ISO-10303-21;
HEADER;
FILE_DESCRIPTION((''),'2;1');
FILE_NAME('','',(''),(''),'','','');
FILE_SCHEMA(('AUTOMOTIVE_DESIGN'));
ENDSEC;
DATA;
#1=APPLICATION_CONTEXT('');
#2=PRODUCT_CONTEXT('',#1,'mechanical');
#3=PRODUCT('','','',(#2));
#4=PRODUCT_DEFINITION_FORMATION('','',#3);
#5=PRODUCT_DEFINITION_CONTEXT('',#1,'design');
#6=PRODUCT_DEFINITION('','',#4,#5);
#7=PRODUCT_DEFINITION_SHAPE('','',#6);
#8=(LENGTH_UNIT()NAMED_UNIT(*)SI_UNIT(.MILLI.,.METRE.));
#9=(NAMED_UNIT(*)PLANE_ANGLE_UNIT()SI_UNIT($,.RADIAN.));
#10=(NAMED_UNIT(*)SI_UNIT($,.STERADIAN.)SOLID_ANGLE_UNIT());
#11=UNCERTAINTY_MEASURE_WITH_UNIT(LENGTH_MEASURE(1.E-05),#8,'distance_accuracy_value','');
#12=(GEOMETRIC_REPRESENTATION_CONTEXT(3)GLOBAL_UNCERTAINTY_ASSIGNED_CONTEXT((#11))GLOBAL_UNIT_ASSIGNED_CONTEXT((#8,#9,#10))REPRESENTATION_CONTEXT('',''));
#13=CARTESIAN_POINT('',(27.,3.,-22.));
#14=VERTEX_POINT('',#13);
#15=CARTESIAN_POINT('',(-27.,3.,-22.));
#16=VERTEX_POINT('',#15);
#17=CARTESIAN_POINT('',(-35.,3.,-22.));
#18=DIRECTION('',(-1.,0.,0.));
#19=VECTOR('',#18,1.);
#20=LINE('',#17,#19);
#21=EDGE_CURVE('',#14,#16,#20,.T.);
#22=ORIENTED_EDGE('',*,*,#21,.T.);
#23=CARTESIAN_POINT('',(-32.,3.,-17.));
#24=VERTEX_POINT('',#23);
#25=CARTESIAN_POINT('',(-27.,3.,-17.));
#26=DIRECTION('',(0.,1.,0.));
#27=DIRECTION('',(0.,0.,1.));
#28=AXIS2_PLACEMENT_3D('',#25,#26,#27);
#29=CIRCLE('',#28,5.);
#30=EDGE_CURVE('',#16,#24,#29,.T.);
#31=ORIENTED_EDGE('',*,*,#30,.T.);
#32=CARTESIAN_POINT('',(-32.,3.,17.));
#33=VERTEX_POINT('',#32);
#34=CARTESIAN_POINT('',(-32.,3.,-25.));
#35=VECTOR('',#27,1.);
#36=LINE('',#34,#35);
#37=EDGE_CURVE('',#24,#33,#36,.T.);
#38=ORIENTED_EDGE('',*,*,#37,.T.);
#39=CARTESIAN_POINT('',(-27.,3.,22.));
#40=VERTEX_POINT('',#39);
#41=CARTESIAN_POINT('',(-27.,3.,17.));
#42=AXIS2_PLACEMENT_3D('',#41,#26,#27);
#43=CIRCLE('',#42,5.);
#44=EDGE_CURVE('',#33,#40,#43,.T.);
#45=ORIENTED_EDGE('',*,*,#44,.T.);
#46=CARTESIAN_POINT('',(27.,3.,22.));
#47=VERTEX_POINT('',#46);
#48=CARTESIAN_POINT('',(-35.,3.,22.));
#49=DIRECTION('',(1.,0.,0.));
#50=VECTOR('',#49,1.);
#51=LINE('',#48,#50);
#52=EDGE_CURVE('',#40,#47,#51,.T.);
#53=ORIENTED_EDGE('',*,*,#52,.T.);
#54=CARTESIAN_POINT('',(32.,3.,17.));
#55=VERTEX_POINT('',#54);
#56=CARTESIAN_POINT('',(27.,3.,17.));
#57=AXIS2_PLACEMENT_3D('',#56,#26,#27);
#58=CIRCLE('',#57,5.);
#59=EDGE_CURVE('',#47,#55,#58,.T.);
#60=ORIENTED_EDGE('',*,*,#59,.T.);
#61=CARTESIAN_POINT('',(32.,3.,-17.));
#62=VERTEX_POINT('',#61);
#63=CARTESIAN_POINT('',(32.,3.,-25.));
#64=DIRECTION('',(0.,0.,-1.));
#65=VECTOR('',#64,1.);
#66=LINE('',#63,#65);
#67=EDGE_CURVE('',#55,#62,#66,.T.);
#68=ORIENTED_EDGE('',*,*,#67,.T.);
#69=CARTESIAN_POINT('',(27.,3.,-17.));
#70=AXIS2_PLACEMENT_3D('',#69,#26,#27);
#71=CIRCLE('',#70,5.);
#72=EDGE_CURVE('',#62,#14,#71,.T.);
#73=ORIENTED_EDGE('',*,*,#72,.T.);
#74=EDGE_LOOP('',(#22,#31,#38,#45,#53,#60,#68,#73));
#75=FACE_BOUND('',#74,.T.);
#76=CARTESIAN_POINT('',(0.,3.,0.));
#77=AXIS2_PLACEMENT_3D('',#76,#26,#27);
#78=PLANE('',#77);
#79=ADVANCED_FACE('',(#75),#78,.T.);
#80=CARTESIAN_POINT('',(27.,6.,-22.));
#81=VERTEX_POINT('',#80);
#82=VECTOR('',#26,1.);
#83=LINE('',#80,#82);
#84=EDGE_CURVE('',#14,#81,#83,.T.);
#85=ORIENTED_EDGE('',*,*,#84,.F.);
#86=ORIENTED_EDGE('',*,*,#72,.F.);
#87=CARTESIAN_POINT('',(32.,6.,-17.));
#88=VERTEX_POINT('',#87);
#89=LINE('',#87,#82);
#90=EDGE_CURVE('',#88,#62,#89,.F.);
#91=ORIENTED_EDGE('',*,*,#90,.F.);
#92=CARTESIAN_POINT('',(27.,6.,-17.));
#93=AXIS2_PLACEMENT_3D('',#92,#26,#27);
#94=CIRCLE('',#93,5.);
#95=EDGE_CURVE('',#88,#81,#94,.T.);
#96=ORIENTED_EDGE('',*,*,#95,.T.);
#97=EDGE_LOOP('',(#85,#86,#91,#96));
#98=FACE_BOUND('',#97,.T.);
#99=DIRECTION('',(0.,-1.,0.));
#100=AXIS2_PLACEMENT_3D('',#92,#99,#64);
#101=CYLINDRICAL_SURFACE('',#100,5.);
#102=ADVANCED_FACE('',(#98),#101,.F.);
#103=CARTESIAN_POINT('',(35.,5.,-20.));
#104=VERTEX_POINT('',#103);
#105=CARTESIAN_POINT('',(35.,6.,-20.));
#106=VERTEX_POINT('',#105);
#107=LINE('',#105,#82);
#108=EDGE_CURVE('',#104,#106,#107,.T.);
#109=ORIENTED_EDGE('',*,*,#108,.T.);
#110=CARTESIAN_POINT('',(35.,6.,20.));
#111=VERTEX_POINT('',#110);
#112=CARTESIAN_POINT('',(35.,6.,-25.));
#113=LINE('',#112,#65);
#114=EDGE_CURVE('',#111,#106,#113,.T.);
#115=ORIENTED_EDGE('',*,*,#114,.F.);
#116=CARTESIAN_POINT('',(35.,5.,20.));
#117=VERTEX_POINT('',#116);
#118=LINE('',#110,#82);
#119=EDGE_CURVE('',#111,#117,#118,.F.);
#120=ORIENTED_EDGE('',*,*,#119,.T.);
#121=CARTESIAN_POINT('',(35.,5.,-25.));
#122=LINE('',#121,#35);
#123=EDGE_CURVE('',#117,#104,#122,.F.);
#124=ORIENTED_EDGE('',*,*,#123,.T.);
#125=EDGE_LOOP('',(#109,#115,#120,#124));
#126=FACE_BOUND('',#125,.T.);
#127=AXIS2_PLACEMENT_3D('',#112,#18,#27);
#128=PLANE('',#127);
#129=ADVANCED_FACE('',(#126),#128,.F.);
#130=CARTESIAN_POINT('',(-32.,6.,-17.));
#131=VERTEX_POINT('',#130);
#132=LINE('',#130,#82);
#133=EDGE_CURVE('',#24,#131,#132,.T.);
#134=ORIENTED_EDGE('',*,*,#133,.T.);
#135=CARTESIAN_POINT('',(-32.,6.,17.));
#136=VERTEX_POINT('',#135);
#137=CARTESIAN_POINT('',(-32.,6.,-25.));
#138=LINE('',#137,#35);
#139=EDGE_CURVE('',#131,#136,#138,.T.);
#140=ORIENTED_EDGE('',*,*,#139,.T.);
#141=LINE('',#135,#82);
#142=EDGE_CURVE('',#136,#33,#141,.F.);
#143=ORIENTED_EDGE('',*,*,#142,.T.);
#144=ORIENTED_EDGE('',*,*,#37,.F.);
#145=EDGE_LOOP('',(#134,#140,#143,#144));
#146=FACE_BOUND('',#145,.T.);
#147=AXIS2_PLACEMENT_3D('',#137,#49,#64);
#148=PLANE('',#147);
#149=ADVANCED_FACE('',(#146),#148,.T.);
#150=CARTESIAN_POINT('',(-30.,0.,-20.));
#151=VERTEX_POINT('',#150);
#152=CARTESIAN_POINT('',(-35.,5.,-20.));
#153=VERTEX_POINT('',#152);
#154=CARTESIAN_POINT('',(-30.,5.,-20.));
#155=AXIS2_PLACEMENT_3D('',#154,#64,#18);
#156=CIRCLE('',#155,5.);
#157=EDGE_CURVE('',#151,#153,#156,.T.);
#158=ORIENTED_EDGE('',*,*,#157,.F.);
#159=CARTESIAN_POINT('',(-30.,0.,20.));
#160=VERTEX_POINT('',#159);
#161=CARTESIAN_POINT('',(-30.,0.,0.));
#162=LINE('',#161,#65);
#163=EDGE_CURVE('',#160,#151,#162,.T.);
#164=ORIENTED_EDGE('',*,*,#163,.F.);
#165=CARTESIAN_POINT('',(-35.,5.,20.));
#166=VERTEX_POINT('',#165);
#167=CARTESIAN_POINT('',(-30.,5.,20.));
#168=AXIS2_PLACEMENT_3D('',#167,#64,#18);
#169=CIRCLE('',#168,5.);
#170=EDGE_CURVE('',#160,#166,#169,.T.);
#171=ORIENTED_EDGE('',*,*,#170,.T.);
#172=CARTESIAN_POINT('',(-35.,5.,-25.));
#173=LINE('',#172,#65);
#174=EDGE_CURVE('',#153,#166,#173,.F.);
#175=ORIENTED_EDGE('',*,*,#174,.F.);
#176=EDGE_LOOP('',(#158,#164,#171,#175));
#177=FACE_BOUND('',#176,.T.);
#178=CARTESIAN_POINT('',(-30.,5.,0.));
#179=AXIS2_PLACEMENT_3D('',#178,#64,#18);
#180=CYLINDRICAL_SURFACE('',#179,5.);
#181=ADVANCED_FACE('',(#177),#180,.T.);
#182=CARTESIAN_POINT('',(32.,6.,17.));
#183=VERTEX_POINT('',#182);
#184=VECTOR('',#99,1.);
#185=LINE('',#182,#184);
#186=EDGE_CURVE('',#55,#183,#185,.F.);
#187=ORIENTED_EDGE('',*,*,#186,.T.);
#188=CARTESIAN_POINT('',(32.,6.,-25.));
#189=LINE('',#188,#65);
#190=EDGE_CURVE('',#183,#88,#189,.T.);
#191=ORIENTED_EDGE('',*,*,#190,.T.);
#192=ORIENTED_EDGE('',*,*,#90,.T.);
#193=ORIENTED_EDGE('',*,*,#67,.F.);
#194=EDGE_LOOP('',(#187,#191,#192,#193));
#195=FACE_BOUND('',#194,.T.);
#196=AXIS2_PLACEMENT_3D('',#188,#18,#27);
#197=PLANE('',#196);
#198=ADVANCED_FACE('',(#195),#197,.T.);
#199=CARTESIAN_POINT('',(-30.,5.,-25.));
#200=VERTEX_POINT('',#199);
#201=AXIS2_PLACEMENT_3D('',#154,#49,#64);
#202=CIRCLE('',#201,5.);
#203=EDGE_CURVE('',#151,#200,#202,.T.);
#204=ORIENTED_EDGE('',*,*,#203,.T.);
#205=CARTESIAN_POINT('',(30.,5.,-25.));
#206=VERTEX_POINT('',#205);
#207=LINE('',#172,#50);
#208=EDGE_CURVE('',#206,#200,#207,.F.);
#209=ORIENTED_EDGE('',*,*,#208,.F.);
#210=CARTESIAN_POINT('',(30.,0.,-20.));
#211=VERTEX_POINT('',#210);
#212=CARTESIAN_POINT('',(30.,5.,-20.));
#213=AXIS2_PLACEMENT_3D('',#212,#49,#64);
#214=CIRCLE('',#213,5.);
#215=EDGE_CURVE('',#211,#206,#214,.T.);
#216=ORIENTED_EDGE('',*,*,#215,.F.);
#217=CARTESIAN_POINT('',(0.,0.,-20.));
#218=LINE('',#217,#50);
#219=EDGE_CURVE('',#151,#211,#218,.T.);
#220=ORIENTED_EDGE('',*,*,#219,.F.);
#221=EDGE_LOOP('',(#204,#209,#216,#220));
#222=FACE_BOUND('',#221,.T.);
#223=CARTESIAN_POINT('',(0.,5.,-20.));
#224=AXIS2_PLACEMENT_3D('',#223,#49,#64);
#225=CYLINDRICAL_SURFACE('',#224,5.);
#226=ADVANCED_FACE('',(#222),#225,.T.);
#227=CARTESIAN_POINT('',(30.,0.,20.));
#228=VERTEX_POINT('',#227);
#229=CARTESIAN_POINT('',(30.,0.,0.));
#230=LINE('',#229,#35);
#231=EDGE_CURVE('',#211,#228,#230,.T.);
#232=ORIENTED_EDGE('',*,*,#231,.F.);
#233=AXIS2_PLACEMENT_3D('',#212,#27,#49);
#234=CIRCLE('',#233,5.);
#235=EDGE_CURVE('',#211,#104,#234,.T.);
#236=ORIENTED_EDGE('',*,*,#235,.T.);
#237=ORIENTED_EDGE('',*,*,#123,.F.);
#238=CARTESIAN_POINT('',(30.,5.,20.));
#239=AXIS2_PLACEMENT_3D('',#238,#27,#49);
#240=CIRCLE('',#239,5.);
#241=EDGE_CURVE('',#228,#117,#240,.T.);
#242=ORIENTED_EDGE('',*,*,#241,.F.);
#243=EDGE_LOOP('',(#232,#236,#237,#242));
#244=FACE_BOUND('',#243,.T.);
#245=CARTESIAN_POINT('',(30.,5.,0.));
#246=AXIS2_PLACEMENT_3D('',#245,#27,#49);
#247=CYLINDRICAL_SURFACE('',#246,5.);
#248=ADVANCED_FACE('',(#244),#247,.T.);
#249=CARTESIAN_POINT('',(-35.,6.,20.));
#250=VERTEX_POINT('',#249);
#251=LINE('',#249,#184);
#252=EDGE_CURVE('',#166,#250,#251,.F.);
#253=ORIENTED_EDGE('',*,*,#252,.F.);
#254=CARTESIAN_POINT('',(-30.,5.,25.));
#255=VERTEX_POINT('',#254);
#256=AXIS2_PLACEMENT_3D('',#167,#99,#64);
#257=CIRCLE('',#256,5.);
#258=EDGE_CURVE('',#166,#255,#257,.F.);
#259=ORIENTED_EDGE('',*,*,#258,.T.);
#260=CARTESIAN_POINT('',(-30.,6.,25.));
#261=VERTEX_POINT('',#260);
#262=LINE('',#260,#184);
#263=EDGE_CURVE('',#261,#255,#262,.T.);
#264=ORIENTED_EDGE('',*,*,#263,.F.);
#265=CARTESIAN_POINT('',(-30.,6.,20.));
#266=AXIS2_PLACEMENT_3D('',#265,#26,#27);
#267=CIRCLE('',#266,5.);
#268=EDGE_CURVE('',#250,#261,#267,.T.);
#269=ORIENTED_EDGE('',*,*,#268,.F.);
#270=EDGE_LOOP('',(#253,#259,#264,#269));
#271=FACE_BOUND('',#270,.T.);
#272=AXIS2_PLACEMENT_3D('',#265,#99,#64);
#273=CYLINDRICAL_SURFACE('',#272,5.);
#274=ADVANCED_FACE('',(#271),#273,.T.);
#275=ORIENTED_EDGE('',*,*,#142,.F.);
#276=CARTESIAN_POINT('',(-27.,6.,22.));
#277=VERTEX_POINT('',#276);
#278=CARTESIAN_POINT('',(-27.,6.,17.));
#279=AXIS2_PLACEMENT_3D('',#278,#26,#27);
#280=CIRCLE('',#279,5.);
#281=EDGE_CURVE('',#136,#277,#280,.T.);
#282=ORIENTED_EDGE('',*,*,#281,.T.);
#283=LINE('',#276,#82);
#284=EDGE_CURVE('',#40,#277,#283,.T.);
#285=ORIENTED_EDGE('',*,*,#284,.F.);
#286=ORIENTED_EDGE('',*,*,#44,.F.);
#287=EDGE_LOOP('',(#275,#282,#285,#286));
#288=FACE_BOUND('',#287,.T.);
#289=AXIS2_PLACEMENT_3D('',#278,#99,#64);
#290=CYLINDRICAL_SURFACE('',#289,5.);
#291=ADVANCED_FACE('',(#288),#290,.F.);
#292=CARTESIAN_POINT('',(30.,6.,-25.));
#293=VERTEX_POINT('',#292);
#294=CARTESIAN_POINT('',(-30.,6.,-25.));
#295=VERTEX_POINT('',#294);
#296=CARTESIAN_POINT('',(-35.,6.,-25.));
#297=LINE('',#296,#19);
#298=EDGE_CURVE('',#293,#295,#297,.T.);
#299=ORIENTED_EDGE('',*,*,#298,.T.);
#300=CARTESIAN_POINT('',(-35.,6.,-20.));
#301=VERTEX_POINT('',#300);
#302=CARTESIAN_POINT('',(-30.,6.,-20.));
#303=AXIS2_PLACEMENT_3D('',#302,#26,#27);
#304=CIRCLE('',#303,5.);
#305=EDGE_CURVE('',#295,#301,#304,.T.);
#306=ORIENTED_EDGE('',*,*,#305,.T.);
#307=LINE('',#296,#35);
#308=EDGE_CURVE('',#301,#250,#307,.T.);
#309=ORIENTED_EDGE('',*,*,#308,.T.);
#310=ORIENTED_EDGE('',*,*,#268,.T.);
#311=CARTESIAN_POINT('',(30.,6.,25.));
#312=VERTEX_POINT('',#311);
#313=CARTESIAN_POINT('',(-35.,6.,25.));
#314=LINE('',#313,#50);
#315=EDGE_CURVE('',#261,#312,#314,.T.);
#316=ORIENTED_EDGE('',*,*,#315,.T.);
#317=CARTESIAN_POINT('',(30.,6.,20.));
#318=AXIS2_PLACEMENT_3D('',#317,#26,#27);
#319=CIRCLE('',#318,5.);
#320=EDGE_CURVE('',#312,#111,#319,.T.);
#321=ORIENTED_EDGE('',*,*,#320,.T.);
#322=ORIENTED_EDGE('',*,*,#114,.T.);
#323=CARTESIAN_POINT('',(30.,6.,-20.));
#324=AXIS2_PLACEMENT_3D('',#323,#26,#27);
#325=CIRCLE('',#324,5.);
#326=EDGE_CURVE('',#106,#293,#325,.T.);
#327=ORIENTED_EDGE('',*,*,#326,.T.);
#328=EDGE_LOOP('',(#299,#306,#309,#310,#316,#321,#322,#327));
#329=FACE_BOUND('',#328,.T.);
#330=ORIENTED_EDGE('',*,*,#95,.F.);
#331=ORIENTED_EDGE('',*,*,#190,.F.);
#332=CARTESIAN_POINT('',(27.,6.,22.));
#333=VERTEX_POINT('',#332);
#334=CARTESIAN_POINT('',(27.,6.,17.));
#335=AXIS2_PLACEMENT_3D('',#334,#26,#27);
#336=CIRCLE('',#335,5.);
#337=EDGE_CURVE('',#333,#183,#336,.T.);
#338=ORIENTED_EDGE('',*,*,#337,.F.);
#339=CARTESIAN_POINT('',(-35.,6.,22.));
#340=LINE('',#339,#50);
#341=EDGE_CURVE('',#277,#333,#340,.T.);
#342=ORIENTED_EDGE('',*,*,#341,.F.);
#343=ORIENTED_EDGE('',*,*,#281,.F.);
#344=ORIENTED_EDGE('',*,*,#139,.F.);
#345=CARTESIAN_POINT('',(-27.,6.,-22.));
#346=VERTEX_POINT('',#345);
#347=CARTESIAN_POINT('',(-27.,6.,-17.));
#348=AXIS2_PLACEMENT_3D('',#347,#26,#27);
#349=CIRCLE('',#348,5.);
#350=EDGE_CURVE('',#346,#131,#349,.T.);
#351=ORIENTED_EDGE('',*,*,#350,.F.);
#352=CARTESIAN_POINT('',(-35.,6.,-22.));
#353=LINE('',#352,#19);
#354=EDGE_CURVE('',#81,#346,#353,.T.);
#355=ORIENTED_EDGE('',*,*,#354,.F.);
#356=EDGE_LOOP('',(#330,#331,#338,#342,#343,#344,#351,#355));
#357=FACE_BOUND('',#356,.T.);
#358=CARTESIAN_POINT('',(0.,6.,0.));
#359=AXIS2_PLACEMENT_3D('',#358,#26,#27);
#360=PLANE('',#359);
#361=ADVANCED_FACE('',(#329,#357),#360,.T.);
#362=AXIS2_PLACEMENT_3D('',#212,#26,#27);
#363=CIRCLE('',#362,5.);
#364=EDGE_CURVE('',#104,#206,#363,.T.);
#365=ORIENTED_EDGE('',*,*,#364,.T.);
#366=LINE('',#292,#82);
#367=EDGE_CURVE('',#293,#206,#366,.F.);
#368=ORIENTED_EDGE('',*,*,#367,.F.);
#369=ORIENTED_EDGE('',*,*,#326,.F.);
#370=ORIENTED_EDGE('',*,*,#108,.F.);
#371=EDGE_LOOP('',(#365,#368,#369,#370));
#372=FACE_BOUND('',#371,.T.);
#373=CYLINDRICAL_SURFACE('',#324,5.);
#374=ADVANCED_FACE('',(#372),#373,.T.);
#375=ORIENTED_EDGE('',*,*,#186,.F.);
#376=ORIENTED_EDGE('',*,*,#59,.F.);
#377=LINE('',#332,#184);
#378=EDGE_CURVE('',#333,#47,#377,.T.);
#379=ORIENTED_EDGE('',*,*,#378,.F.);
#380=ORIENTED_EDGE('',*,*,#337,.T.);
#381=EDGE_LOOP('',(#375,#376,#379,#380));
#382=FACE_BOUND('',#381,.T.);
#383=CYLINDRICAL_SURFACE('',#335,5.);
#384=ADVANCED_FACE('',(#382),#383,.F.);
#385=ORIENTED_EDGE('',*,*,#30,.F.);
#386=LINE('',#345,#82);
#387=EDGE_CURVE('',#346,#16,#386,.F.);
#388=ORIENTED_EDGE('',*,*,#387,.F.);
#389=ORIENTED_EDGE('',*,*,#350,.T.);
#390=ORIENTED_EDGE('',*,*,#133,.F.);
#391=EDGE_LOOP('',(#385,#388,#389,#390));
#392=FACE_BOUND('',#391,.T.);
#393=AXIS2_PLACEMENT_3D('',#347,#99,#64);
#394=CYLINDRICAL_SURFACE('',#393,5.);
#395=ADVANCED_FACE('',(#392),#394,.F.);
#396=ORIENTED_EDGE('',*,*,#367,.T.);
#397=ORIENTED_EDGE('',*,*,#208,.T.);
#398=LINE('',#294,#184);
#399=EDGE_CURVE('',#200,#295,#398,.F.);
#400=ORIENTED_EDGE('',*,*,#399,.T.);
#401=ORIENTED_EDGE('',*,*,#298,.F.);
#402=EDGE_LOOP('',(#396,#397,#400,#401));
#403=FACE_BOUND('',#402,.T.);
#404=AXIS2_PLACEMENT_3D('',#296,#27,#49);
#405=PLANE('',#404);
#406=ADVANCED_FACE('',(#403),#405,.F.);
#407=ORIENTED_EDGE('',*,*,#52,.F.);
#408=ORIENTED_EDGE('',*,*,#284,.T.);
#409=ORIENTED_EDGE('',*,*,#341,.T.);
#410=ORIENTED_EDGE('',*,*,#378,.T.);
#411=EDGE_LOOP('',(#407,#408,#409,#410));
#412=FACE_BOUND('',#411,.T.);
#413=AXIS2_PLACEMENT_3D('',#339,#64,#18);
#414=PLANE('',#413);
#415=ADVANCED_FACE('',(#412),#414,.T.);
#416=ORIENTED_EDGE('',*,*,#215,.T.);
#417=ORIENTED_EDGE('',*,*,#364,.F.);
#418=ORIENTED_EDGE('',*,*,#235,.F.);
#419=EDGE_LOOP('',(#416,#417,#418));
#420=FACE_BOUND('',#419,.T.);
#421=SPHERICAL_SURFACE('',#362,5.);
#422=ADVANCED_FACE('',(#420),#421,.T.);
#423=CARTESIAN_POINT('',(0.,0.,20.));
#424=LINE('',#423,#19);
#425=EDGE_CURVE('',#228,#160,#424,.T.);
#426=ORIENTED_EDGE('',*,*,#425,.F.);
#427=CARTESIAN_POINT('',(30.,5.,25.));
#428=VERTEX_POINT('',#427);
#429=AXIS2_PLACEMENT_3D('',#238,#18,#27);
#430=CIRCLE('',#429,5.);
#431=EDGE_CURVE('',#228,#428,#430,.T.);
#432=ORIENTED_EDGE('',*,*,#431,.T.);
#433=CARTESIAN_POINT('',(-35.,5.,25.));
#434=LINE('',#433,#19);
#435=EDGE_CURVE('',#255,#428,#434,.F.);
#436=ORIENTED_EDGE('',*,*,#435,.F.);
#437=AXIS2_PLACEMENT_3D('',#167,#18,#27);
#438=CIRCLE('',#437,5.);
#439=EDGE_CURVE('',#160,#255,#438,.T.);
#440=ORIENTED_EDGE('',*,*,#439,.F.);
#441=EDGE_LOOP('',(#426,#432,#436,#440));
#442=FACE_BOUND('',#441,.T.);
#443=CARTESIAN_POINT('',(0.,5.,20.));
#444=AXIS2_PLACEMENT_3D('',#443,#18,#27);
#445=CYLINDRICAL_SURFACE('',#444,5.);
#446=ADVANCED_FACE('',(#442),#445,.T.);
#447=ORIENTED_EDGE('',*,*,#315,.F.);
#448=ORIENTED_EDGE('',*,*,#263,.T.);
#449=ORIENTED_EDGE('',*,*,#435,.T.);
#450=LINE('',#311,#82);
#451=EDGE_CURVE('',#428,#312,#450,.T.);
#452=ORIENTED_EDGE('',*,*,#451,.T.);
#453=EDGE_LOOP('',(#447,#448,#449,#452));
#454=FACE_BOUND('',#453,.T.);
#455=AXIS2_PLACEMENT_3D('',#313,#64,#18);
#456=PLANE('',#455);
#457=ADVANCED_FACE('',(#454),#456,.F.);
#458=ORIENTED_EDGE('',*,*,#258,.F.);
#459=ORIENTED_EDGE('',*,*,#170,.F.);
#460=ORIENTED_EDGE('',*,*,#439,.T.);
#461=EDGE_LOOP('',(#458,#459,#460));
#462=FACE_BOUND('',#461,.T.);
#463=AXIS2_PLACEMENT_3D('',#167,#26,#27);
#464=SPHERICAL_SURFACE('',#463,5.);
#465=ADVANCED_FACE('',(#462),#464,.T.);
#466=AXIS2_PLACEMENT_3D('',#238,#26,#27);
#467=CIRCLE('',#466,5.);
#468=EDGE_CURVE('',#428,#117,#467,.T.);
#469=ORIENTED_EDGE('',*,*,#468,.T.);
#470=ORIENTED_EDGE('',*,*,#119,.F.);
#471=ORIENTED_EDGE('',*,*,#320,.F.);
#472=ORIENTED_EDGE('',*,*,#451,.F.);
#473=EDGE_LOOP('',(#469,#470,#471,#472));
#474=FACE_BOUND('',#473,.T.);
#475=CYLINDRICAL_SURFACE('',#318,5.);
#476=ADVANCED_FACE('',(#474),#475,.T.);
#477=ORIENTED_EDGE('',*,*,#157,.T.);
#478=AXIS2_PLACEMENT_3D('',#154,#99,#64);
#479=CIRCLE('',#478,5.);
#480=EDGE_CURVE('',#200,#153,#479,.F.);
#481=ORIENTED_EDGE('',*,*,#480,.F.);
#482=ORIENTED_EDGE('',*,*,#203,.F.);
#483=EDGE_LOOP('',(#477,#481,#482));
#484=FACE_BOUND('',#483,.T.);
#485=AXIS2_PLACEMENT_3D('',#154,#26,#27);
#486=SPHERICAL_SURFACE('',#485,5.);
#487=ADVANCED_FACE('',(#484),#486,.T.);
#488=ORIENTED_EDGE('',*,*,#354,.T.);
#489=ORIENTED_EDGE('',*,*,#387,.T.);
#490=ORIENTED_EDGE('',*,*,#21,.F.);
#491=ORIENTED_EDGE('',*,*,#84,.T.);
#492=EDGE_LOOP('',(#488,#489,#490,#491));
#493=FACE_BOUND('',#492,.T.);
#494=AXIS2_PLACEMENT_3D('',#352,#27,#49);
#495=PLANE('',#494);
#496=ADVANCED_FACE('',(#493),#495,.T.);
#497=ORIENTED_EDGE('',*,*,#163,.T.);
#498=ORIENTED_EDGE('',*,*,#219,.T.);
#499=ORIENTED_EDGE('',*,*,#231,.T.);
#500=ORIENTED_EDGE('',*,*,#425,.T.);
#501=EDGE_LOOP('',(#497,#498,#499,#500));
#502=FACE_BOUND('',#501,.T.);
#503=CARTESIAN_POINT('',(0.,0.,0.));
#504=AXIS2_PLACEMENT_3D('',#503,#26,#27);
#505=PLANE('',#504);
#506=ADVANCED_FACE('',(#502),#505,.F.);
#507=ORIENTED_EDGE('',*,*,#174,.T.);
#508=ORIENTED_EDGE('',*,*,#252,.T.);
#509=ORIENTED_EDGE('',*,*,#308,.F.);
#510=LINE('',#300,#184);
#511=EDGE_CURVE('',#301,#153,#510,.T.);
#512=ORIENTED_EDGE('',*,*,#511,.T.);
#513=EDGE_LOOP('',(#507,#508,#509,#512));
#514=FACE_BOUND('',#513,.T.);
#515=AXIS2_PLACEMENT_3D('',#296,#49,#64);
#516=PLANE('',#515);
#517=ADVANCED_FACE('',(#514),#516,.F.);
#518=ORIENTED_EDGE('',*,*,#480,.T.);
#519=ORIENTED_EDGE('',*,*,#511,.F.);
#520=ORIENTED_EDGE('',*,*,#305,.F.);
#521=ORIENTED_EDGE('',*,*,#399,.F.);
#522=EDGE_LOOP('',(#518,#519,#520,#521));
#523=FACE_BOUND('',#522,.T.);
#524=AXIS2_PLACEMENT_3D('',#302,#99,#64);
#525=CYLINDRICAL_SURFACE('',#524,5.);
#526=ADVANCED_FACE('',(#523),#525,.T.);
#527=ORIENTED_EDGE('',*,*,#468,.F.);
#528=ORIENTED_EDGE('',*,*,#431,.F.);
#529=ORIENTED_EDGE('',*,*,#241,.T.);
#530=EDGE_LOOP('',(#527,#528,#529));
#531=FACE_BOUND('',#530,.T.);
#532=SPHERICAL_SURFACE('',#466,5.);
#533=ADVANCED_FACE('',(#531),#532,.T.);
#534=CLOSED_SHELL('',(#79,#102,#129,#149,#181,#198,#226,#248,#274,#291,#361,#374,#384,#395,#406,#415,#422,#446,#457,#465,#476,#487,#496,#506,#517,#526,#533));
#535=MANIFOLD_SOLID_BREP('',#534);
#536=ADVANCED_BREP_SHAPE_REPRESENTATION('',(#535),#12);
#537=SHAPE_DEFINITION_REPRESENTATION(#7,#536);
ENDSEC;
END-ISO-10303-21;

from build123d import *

# Parameters (mm, degrees)
SKETCH1_W           = 70
SKETCH1_H           = 50
BOSS_EXTRUDE1_DEPTH = 6
SHELL1_T            = -3
FILLET1_R           = 5
FILLET2_R           = 5
FILLET3_R           = 5
FILLET4_R           = 5
FILLET5_R           = 5
FILLET6_R           = 5
FILLET7_R           = 5
FILLET8_R           = 5
FILLET9_R           = 5


with BuildPart() as part:
    # Sketch1 → Boss-Extrude1 (new body)
    with BuildSketch(Plane(origin=(0, 0, 0), x_dir=(1, 0, 0), z_dir=(0, 1, 0))):
        Rectangle(SKETCH1_W, SKETCH1_H)
    extrude(amount=BOSS_EXTRUDE1_DEPTH)

    # Shell1
    shell1_openings = [part.faces().sort_by_distance(p)[0] for p in [
        (0, 6, 0),
    ]]
    offset(amount=SHELL1_T, openings=shell1_openings, kind=Kind.INTERSECTION)

    # Fillet1
    fillet1_edges = [part.edges().sort_by_distance(p)[0] for p in [
        (35, 3, 25),
    ]]
    fillet(fillet1_edges, radius=FILLET1_R)

    # Fillet2
    fillet2_edges = [part.edges().sort_by_distance(p)[0] for p in [
        (35, 3, -25),
    ]]
    fillet(fillet2_edges, radius=FILLET2_R)

    # Fillet3
    fillet3_edges = [part.edges().sort_by_distance(p)[0] for p in [
        (-35, 3, 25),
    ]]
    fillet(fillet3_edges, radius=FILLET3_R)

    # Fillet4
    fillet4_edges = [part.edges().sort_by_distance(p)[0] for p in [
        (-35, 3, -25),
    ]]
    fillet(fillet4_edges, radius=FILLET4_R)

    # Fillet5
    fillet5_edges = [part.edges().sort_by_distance(p)[0] for p in [
        (35, 0, 0),
        (0, 0, -25),
        (0, 0, 25),
        (-35, 0, 0),
    ]]
    fillet(fillet5_edges, radius=FILLET5_R)

    # Fillet6
    fillet6_edges = [part.edges().sort_by_distance(p)[0] for p in [
        (32, 4.5, 22),
    ]]
    fillet(fillet6_edges, radius=FILLET6_R)

    # Fillet7
    fillet7_edges = [part.edges().sort_by_distance(p)[0] for p in [
        (-32, 4.5, 22),
    ]]
    fillet(fillet7_edges, radius=FILLET7_R)

    # Fillet8
    fillet8_edges = [part.edges().sort_by_distance(p)[0] for p in [
        (-32, 4.5, -22),
    ]]
    fillet(fillet8_edges, radius=FILLET8_R)

    # Fillet9
    fillet9_edges = [part.edges().sort_by_distance(p)[0] for p in [
        (32, 4.5, -22),
    ]]
    fillet(fillet9_edges, radius=FILLET9_R)


solid = part.part
